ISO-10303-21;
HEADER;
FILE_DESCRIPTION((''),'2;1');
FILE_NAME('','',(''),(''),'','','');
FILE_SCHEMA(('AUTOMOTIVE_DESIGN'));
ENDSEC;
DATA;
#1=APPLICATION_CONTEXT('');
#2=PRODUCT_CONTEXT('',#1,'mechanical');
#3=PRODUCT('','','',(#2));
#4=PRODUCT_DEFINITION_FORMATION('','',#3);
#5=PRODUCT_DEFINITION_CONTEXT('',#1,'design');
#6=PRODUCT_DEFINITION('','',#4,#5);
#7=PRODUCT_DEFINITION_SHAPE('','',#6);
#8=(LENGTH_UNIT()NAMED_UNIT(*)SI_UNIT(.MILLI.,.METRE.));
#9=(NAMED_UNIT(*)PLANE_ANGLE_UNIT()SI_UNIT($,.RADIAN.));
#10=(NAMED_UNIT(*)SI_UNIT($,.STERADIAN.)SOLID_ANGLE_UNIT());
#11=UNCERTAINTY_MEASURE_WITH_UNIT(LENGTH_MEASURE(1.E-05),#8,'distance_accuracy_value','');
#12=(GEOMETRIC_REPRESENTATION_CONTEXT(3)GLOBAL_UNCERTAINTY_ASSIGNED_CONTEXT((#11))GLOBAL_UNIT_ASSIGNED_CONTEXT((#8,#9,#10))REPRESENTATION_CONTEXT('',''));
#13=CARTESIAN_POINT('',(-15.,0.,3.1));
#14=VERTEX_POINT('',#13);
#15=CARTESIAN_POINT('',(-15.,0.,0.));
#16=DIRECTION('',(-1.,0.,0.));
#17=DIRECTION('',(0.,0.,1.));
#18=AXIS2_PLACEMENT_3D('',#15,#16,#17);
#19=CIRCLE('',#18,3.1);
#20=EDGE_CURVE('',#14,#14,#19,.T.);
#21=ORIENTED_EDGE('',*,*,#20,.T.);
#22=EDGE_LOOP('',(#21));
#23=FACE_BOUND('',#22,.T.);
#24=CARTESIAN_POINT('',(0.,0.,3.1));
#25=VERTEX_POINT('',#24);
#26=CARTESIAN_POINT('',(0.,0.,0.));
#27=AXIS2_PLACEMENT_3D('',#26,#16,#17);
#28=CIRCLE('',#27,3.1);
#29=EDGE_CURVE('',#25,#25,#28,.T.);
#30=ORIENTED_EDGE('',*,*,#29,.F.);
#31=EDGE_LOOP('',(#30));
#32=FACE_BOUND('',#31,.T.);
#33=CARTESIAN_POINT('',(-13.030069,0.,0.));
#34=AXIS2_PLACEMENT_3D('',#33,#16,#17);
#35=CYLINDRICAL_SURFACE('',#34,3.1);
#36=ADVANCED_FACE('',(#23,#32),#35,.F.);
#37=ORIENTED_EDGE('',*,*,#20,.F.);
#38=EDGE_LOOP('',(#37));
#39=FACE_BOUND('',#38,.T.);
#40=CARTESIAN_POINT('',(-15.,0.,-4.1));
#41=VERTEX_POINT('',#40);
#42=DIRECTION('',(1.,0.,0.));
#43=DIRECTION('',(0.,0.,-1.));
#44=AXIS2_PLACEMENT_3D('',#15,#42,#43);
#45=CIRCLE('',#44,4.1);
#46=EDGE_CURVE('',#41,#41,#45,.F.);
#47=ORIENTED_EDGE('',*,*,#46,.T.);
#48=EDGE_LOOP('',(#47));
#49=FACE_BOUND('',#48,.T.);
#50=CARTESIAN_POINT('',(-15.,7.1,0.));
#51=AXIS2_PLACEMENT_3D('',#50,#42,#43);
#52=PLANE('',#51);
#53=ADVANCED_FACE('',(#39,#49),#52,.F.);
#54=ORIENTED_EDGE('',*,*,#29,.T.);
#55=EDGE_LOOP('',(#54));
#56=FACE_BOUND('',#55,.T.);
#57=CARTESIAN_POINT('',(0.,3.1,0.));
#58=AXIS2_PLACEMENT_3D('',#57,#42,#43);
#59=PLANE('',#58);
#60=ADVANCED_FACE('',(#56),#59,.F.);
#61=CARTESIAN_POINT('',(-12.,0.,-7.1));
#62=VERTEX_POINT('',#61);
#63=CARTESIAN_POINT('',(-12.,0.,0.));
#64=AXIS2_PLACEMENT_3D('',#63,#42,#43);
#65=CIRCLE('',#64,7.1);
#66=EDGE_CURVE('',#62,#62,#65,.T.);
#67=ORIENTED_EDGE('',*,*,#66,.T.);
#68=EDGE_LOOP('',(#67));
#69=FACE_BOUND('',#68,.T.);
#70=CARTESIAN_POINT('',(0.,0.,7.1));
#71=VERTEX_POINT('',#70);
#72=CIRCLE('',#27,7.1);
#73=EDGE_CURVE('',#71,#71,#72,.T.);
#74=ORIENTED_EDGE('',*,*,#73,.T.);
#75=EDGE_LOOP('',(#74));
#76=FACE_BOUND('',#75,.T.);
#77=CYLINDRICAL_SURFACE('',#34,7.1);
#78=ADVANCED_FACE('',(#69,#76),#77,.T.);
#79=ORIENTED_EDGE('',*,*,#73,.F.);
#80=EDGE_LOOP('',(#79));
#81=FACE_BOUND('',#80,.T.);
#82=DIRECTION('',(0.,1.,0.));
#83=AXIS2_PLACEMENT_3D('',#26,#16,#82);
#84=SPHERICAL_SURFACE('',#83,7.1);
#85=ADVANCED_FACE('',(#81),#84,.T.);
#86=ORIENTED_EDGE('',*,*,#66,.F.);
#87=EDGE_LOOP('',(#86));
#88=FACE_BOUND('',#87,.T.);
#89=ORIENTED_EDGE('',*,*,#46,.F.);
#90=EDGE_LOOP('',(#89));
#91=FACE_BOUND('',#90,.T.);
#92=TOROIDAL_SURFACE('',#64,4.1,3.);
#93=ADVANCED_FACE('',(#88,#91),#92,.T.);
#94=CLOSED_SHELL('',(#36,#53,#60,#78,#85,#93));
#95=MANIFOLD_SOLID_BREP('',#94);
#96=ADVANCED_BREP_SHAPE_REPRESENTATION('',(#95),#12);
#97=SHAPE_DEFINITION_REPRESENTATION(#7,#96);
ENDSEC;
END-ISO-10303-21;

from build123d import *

# Parameters (mm, degrees)
CONG_1_R = 3


with BuildPart() as part:
    # Esquisse2 → Révolution1 (revolve)
    with BuildSketch(Plane.XY, mode=Mode.PRIVATE) as r_volution1_sk:
        with BuildLine():
            Line((0, 3.1), (0, 0))
            Line((0, 0), (7.1, 0))
            ThreePointArc((7.1, 0), (5.020458146, 5.020458146), (0, 7.1))
            Line((0, 7.1), (-15, 7.1))
            Line((-15, 7.1), (-15, 3.1))
            Line((-15, 3.1), (0, 3.1))
        make_face()
    revolve(r_volution1_sk.sketch.rotate(Axis((-13.030068917, 0, 0), (1, 0, 0)), 90), axis=Axis((-13.030068917, 0, 0), (1, 0, 0)))

    # Congé1
    cong_1_edges = [part.edges().sort_by_distance(p)[0] for p in [
        (-15, 0, -7.1),
    ]]
    fillet(cong_1_edges, radius=CONG_1_R)


solid = part.part
